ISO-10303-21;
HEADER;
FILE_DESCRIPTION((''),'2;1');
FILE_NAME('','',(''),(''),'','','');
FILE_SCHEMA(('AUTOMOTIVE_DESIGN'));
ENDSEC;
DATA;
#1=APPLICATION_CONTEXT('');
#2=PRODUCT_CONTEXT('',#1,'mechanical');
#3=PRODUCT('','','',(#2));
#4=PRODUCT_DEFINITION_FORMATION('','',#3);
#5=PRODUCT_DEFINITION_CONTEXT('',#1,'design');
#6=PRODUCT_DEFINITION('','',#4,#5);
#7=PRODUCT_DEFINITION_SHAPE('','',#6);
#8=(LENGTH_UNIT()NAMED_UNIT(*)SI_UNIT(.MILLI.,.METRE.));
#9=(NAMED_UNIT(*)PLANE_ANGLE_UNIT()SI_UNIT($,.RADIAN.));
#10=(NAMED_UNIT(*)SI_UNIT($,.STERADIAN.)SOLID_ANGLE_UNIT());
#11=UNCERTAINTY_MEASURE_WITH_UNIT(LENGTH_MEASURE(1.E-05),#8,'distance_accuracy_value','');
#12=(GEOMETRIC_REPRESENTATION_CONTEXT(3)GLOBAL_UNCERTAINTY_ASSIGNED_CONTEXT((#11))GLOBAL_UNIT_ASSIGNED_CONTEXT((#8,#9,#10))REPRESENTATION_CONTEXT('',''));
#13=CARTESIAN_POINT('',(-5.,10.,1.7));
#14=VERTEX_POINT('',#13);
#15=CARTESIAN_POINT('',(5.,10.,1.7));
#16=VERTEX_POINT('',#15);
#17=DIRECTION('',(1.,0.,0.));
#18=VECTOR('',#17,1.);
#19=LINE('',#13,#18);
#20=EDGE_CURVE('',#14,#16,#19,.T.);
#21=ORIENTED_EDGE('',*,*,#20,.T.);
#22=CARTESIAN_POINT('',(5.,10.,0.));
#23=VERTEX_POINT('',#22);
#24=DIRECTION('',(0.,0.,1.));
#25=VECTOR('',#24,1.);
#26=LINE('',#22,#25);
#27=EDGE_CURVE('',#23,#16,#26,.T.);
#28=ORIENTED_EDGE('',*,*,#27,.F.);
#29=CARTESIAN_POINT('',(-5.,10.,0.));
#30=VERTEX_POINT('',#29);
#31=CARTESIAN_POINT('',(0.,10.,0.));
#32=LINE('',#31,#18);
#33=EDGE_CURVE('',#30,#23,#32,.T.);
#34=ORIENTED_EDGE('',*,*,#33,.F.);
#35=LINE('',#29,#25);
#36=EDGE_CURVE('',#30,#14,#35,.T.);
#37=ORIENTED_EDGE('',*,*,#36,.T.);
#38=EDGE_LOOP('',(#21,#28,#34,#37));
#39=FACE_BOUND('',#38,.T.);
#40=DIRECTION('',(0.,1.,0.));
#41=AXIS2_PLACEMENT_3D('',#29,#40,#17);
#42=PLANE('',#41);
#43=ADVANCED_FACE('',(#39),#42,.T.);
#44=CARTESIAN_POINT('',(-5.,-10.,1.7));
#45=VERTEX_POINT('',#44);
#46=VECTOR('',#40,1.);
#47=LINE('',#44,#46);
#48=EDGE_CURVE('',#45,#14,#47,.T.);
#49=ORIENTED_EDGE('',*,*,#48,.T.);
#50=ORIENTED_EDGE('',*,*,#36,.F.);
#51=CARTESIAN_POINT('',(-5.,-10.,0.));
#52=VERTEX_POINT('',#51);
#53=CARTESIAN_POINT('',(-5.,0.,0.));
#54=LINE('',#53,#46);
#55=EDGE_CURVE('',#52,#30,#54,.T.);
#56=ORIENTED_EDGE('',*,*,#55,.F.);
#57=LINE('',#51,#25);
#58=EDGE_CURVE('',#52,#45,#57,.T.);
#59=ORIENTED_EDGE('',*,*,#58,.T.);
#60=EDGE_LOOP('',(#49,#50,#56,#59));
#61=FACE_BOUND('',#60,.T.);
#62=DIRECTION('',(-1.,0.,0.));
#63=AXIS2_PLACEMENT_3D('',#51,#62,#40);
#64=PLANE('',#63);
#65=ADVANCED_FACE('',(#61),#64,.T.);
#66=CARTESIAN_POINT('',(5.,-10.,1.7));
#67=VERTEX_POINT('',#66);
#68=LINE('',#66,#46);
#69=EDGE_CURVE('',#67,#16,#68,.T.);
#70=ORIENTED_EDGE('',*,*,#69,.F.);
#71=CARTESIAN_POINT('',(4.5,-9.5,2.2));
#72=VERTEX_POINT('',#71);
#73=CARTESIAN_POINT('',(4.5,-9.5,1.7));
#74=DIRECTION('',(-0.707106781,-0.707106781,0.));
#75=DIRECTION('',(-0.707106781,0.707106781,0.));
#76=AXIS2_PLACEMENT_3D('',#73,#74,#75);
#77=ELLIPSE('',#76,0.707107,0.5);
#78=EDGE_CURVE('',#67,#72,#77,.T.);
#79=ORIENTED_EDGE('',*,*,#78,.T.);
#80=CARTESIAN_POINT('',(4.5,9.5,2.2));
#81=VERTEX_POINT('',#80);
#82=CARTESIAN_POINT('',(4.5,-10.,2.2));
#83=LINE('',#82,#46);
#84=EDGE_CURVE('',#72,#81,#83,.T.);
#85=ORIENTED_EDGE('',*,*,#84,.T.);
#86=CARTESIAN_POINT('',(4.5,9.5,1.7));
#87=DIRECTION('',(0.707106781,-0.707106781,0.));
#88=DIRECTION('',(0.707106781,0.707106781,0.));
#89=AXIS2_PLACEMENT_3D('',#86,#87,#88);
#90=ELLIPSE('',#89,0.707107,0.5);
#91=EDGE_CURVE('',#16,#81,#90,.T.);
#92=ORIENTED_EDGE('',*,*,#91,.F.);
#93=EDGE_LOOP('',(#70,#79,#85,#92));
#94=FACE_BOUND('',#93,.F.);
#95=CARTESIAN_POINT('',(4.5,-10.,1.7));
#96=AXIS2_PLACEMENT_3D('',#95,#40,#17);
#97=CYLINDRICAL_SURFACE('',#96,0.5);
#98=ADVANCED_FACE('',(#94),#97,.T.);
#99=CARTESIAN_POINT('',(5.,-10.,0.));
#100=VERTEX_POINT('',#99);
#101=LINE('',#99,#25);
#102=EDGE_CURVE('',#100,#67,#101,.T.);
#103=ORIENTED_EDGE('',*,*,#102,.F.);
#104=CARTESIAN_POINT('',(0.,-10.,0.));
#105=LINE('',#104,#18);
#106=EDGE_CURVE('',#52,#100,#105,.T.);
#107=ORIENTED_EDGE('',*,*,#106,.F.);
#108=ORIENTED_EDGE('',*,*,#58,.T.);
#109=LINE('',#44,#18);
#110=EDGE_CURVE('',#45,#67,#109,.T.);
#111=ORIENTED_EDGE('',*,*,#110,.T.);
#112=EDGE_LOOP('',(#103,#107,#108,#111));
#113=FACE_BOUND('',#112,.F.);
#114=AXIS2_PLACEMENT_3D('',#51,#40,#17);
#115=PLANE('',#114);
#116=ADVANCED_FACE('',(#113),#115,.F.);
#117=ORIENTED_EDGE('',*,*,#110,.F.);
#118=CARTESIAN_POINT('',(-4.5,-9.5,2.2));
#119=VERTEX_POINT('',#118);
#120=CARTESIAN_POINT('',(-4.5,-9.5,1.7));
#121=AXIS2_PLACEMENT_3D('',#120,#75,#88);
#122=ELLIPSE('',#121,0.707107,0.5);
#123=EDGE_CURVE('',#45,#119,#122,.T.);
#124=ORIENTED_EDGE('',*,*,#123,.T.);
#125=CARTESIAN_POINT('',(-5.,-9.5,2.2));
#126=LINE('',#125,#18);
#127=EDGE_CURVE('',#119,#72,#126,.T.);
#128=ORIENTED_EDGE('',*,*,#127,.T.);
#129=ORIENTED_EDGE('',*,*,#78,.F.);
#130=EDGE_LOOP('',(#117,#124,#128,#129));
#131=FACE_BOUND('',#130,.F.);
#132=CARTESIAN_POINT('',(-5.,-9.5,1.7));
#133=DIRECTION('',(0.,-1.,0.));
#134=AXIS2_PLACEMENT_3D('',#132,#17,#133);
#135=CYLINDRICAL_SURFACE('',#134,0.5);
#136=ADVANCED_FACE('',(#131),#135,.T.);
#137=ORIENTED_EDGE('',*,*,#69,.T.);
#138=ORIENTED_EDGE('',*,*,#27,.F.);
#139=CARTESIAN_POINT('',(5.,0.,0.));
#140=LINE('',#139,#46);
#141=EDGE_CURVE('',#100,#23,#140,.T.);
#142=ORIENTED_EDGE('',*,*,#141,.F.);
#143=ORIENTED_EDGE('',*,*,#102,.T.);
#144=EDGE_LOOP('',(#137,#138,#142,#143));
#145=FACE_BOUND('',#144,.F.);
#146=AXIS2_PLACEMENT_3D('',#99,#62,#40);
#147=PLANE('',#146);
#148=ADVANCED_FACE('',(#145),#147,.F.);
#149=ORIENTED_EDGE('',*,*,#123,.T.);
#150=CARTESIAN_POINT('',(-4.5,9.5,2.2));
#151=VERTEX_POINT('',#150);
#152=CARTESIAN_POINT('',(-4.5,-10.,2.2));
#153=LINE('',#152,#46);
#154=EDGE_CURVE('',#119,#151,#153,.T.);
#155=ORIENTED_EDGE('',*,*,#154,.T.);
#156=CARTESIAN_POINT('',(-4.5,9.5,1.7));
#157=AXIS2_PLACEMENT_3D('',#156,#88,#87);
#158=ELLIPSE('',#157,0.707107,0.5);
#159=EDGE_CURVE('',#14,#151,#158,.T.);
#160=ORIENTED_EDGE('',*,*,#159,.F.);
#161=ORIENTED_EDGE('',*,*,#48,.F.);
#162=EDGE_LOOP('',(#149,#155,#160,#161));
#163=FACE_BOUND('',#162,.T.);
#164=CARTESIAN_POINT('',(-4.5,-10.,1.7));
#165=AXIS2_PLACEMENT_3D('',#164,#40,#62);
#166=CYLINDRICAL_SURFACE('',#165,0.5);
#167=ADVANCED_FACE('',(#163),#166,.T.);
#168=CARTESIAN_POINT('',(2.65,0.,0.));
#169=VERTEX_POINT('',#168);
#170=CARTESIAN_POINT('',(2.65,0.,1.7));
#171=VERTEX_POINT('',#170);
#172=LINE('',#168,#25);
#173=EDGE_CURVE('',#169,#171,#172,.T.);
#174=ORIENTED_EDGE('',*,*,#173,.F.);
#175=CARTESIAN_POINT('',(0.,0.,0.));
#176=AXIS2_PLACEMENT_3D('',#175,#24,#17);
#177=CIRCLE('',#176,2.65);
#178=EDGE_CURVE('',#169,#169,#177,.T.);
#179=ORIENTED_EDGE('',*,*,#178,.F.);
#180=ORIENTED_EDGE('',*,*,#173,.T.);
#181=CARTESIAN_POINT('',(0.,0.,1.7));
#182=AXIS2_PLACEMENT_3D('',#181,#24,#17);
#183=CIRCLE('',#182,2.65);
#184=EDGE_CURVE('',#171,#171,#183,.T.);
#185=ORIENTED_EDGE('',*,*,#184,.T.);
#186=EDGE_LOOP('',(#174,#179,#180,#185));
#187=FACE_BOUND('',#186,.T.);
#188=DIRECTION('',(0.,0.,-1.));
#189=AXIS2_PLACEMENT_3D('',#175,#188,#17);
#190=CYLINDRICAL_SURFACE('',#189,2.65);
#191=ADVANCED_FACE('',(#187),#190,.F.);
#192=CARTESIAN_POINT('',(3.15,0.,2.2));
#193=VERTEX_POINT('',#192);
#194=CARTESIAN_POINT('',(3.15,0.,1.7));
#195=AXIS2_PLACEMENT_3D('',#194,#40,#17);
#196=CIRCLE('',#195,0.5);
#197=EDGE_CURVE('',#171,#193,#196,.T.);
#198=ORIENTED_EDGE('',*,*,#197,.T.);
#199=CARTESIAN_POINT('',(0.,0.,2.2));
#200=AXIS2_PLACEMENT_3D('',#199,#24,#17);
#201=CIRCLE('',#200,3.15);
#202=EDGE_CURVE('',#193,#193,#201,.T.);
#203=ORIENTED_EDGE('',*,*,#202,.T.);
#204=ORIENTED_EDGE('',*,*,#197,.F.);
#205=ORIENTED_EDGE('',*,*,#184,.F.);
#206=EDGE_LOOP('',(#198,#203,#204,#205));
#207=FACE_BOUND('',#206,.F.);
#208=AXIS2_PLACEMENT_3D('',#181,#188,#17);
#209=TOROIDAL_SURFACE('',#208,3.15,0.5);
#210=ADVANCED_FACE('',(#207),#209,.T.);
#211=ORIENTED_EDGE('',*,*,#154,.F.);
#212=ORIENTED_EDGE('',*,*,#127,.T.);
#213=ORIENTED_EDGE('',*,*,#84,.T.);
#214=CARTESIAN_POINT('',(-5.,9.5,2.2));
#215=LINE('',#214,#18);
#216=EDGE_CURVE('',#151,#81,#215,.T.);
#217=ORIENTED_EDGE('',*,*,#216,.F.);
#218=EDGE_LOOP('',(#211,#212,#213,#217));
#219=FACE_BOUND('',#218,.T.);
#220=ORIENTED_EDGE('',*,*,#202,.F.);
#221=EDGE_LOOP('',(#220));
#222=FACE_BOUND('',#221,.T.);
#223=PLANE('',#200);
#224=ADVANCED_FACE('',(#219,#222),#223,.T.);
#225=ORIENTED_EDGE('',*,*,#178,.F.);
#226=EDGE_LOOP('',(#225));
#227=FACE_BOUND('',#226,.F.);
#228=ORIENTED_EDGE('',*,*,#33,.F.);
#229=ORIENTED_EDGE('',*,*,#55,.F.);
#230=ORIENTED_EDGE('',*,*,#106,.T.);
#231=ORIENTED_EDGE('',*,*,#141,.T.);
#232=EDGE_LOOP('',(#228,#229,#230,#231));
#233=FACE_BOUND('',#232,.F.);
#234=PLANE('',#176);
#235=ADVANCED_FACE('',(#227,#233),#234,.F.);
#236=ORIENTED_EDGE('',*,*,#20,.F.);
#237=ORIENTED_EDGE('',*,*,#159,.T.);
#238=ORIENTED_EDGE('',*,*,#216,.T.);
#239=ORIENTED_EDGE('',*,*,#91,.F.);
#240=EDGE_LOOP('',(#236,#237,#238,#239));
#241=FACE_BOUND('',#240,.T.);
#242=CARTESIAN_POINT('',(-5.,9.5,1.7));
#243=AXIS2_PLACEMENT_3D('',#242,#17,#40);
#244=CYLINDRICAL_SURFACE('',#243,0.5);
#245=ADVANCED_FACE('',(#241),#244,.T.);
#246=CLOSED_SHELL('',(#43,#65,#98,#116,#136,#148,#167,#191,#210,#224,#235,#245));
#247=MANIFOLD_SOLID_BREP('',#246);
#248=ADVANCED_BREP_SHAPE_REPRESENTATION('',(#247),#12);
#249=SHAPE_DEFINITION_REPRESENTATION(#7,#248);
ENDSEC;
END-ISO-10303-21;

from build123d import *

# Parameters (mm, degrees)
F0_W     = 10
F0_H     = 20
F0_R     = 2.65
F1_DEPTH = 2.2
F2_R     = 0.5


with BuildPart() as f1:
    # F0 (on Top) → F1 (new body)
    with BuildSketch(Plane.XY):
        Rectangle(F0_W, F0_H)
        Circle(F0_R, mode=Mode.SUBTRACT)
    extrude(amount=F1_DEPTH)

    # F2
    f2_edges = [f1.edges().sort_by_distance(p)[0] for p in [
        (-2.65, 0, 2.2),
        (5, 0, 2.2),
        (0, 10, 2.2),
        (0, -10, 2.2),
        (-5, 0, 2.2),
    ]]
    fillet(f2_edges, radius=F2_R)


solid = f1.part
